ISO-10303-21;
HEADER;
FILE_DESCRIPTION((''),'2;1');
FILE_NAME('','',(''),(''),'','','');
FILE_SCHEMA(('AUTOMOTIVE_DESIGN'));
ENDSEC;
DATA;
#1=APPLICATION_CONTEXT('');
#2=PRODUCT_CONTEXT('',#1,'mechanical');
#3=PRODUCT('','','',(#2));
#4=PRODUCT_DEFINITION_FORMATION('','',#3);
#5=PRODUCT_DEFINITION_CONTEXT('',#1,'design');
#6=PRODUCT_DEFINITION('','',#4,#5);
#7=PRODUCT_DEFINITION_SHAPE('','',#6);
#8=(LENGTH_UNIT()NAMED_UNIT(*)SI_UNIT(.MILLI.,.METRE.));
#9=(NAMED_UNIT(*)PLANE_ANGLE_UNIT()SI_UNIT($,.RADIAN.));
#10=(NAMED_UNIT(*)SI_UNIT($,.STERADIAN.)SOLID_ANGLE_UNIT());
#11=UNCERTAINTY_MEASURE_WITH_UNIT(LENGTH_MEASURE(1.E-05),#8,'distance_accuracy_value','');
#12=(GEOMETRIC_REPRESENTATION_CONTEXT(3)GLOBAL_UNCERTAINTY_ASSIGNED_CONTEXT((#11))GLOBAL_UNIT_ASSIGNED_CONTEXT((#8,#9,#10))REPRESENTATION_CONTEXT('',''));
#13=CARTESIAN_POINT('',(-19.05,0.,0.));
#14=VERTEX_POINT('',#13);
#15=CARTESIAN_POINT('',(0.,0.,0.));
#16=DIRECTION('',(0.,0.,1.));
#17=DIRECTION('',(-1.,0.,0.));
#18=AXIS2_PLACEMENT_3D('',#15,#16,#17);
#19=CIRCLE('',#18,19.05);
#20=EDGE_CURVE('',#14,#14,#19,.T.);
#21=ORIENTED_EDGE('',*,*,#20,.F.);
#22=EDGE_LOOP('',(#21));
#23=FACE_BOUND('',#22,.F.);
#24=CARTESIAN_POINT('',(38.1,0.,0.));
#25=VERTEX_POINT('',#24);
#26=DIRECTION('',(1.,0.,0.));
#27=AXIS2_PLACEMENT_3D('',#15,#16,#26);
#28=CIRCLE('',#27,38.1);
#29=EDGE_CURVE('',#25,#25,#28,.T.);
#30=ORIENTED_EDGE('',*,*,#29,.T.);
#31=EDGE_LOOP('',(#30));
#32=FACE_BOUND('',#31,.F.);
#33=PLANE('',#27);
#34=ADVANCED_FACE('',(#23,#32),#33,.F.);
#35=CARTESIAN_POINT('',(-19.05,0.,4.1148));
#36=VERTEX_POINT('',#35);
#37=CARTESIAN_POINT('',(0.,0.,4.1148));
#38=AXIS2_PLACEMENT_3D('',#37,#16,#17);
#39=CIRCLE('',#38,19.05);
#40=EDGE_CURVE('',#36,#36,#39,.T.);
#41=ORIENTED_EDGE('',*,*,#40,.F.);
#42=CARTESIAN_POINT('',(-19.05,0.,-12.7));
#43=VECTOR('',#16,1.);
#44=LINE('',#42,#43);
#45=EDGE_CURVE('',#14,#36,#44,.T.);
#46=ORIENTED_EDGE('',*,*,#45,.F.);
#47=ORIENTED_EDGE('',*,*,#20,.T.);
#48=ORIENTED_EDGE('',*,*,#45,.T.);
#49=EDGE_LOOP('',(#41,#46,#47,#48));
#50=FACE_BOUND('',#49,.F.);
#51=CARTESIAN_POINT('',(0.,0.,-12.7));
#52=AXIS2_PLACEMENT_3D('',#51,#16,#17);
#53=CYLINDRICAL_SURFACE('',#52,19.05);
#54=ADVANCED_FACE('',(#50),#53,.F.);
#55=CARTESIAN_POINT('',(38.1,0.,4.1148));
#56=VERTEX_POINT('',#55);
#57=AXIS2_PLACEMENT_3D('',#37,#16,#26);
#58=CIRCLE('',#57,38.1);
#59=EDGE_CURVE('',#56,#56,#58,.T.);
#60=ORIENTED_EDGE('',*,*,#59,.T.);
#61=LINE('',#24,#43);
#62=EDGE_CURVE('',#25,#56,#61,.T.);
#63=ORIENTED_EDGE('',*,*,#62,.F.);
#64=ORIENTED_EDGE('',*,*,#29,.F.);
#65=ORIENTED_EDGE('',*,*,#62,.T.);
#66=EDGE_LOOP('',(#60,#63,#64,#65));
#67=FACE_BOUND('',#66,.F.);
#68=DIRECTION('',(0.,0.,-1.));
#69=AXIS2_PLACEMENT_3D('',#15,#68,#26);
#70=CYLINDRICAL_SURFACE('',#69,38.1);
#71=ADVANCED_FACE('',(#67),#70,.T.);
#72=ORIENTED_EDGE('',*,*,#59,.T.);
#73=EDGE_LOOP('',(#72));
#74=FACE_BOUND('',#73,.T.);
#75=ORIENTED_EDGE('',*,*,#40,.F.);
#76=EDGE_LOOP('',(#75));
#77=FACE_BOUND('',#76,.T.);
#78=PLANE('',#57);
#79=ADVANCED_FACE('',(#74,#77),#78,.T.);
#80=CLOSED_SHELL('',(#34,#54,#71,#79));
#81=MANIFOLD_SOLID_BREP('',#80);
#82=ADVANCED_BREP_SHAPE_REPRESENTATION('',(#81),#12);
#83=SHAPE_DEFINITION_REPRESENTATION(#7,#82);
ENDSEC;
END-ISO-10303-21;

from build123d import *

# Parameters (mm, degrees)
F0_R     = 38.1
F1_DEPTH = 4.1148
F2_D     = 38.1
F2_DEPTH = 12.7


with BuildPart() as f1:
    # F0 (on Top) → F1 (new body)
    with BuildSketch(Plane.XY):
        Circle(F0_R)
    extrude(amount=F1_DEPTH)

    # F2
    with Locations(Plane(origin=(0, 0, 0), x_dir=(1, 0, 0), z_dir=(0, 0, -1))):
        with Locations((0, 0)):
            Hole(F2_D / 2, depth=F2_DEPTH)


solid = f1.part
